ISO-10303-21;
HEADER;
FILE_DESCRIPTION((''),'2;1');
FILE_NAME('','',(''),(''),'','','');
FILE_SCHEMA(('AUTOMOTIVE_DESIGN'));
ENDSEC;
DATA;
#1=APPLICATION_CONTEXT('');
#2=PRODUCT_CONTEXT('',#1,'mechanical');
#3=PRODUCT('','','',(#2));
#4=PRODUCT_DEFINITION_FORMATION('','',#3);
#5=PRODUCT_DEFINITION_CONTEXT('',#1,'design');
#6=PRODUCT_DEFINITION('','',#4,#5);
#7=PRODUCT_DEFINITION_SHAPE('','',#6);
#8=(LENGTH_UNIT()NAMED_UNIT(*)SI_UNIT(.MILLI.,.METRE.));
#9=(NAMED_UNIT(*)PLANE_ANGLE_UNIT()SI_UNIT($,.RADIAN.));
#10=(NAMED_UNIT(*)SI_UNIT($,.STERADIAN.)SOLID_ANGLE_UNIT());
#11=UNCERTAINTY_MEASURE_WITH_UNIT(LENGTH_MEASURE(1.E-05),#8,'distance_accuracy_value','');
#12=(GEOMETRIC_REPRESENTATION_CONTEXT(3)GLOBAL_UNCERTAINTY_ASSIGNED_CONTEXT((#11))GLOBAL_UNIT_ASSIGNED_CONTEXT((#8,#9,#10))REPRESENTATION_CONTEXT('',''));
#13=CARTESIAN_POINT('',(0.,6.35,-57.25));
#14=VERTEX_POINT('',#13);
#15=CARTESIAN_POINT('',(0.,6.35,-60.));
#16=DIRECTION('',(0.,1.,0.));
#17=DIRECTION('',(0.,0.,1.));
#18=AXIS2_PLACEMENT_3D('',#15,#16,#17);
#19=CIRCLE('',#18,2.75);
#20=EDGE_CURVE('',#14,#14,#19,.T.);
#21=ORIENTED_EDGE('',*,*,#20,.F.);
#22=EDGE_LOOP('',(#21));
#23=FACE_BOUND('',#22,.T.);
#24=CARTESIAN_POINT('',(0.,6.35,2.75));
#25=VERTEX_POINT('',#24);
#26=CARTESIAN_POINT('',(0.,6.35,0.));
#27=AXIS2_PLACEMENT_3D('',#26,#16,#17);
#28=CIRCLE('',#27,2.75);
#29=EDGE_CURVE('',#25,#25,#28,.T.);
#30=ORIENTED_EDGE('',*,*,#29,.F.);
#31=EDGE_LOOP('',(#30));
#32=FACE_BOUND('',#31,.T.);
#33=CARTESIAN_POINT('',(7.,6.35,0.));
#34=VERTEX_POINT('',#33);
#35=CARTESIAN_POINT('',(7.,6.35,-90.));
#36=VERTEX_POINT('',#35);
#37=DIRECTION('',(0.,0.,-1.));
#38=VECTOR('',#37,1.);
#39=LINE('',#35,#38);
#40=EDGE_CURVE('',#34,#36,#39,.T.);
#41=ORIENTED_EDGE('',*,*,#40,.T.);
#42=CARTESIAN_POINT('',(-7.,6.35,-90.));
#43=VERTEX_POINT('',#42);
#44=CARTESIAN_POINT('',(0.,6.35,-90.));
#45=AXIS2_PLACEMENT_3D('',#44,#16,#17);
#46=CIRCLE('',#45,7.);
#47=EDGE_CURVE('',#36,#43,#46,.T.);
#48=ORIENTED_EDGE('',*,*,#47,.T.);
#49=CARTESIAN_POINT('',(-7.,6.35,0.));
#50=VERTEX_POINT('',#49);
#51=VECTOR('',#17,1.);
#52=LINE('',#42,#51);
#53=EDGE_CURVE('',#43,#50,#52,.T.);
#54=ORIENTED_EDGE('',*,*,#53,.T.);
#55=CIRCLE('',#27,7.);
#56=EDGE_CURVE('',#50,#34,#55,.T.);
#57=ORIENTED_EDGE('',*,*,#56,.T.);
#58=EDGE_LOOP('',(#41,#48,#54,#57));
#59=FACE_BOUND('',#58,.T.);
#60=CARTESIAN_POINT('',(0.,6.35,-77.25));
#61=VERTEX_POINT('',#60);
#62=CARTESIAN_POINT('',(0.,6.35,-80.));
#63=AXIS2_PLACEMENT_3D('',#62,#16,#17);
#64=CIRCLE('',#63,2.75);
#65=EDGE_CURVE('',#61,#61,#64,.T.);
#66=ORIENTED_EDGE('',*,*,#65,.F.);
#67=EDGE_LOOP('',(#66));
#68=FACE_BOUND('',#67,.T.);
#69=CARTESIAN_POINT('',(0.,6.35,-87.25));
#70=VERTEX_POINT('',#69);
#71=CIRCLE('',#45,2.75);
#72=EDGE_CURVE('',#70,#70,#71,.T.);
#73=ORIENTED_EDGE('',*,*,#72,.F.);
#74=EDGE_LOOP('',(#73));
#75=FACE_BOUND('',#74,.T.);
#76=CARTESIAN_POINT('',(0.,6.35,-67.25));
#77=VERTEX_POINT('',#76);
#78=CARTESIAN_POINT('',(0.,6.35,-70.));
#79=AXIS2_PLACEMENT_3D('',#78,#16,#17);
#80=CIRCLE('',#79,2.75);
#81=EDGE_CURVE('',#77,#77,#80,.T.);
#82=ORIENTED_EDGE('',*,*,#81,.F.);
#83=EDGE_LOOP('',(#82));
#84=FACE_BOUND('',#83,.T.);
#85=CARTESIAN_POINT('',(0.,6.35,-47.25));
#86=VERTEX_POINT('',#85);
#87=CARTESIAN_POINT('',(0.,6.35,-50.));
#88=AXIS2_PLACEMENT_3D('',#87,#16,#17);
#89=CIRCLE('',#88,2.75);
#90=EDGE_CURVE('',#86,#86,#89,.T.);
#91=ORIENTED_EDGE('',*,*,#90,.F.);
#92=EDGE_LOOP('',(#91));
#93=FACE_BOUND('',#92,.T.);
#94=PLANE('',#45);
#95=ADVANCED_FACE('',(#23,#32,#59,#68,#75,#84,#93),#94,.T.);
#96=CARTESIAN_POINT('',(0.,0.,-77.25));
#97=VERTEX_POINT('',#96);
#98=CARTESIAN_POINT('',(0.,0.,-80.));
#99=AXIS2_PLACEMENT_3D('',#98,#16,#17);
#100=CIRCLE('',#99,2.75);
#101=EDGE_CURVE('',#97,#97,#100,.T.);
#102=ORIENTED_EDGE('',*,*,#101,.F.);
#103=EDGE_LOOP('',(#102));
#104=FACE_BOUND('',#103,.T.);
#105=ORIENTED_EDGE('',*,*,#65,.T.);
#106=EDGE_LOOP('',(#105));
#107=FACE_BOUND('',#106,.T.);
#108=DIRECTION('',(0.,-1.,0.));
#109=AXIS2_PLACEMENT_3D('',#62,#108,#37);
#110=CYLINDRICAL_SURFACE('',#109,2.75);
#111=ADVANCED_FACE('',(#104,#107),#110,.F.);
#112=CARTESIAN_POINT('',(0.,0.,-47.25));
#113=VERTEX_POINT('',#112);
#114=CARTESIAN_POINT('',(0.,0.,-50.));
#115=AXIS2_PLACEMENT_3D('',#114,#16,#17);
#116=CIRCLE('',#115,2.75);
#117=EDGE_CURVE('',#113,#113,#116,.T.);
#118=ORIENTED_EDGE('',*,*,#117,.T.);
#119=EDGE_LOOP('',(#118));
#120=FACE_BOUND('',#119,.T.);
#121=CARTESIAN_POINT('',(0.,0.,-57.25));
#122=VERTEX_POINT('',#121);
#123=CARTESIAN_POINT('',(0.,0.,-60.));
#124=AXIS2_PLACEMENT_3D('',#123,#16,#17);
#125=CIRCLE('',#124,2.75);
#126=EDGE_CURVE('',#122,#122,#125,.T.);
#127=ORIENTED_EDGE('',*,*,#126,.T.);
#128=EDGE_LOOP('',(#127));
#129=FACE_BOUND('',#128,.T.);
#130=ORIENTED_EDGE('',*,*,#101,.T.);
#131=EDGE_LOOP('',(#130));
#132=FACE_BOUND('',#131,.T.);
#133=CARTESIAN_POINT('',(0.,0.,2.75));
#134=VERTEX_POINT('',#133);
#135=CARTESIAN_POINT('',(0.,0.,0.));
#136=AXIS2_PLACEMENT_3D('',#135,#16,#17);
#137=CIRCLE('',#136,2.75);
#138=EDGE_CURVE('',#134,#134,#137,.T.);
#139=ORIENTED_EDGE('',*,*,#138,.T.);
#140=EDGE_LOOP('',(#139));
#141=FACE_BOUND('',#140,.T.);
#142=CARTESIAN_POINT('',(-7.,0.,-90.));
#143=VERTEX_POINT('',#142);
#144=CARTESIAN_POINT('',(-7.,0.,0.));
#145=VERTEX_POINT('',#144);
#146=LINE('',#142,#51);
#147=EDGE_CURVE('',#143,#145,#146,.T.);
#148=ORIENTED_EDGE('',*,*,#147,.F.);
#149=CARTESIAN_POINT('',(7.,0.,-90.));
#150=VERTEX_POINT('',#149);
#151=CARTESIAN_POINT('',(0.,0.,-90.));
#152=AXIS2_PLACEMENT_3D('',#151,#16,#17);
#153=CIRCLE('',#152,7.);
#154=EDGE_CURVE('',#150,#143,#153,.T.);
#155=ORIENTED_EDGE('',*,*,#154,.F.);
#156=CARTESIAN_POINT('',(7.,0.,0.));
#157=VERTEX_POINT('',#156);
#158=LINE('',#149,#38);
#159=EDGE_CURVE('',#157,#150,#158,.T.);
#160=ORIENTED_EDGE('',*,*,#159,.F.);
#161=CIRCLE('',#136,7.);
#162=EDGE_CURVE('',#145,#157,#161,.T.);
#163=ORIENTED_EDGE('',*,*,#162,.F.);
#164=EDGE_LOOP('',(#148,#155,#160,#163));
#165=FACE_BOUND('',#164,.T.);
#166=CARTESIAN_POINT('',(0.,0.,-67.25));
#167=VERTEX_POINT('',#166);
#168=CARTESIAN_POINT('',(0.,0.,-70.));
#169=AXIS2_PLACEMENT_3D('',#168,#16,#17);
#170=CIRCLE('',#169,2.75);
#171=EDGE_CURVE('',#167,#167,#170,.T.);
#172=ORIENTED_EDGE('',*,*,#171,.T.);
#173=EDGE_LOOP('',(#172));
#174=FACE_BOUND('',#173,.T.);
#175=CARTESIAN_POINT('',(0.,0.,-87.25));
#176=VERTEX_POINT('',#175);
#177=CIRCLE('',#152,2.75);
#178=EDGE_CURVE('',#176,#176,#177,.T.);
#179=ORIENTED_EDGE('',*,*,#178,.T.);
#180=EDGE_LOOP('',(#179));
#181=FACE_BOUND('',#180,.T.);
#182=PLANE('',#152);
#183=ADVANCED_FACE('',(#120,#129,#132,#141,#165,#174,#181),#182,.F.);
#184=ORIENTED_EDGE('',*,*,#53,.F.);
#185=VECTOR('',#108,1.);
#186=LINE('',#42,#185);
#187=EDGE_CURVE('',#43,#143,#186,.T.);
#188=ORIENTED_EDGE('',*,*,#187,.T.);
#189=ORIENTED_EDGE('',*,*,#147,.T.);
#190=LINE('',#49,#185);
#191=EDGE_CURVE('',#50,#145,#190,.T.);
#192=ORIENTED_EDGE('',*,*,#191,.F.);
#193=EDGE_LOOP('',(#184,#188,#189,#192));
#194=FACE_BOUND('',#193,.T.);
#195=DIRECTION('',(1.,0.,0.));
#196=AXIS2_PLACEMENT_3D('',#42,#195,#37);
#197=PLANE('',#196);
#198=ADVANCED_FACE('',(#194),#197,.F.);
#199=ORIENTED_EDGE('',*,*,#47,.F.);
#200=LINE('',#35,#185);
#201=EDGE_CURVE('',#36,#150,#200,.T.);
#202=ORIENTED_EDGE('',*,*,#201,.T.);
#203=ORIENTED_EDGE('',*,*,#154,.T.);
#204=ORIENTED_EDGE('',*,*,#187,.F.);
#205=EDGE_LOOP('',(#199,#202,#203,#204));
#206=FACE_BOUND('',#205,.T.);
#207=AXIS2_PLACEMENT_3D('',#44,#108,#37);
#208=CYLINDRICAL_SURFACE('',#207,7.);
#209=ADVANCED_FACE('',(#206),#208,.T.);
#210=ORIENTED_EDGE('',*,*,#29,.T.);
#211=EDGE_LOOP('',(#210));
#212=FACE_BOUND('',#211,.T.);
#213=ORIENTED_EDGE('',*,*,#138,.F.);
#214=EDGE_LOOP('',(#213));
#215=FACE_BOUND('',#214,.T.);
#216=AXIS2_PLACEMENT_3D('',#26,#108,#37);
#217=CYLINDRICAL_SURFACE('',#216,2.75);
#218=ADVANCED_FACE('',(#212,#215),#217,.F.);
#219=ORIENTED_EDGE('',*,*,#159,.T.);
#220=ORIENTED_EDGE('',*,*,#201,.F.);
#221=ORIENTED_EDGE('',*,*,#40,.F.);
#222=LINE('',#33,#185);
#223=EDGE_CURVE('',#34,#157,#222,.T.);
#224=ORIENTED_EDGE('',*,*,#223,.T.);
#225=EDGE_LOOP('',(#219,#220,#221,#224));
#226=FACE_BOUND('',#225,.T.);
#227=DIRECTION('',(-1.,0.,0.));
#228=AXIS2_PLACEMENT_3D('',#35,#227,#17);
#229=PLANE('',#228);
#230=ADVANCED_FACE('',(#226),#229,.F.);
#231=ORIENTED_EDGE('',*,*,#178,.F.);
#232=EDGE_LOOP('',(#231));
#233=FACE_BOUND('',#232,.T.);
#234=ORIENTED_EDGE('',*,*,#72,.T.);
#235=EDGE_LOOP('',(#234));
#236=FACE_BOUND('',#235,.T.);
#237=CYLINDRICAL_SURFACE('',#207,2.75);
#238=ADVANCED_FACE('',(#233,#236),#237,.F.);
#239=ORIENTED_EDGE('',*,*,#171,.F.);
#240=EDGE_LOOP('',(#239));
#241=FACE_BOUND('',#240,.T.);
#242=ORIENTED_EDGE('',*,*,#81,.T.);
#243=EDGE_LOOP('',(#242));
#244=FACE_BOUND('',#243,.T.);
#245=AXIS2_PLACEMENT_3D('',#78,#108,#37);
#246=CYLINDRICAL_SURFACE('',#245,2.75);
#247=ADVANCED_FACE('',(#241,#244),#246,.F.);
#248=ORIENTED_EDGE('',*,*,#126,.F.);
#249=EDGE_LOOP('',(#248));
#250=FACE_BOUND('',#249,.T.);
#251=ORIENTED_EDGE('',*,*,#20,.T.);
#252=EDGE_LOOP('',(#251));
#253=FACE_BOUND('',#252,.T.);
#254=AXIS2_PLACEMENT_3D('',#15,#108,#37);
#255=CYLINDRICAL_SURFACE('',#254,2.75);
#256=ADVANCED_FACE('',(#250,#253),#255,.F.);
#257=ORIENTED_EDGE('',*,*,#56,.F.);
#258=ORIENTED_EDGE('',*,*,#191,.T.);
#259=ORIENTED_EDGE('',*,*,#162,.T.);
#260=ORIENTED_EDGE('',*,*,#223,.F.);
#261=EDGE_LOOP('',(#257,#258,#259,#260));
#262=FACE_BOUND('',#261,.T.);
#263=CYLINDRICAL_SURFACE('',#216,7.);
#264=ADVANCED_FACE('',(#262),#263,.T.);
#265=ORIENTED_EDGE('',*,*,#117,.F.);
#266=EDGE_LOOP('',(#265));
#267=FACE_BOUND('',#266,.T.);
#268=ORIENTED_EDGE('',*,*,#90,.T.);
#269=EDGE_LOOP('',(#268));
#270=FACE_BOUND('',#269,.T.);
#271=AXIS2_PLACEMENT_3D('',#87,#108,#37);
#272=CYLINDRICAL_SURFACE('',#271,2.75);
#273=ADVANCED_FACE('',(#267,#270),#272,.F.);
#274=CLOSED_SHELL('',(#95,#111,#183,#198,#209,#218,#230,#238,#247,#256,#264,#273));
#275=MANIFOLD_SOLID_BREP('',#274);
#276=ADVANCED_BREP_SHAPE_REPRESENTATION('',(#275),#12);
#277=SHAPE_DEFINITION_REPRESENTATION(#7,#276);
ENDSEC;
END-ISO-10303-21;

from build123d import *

# Parameters (mm, degrees)
SKETCH1_R           = 2.75
BOSS_EXTRUDE1_DEPTH = 6.35
SKETCH2_R           = 2.75
CUT_EXTRUDE1_DEPTH  = 6.35


with BuildPart() as part:
    # Sketch1 → Boss-Extrude1 (new body)
    with BuildSketch(Plane(origin=(0, 0, 0), x_dir=(1, 0, 0), z_dir=(0, 1, 0))):
        with BuildLine():
            Line((7, 90), (7, 0))
            ThreePointArc((7, 0), (0, -7), (-7, 0))
            Line((-7, 0), (-7, 90))
            ThreePointArc((-7, 90), (0, 97), (7, 90))
        make_face()
        with Locations((0, 90)):
            Circle(SKETCH1_R, mode=Mode.SUBTRACT)
        Circle(SKETCH1_R, mode=Mode.SUBTRACT)
    extrude(amount=BOSS_EXTRUDE1_DEPTH)

    # Sketch2 → Cut-Extrude1 (cut)
    with BuildSketch(Plane(origin=(0, 0, 0), x_dir=(1, 0, 0), z_dir=(0, 1, 0))):
        with Locations((0, 90)):
            Circle(SKETCH2_R)
        with Locations((0, 80)):
            Circle(SKETCH2_R)
        with Locations((0, 70)):
            Circle(SKETCH2_R)
        with Locations((0, 60)):
            Circle(SKETCH2_R)
        with Locations((0, 50)):
            Circle(SKETCH2_R)
    extrude(amount=CUT_EXTRUDE1_DEPTH, mode=Mode.SUBTRACT)


solid = part.part
